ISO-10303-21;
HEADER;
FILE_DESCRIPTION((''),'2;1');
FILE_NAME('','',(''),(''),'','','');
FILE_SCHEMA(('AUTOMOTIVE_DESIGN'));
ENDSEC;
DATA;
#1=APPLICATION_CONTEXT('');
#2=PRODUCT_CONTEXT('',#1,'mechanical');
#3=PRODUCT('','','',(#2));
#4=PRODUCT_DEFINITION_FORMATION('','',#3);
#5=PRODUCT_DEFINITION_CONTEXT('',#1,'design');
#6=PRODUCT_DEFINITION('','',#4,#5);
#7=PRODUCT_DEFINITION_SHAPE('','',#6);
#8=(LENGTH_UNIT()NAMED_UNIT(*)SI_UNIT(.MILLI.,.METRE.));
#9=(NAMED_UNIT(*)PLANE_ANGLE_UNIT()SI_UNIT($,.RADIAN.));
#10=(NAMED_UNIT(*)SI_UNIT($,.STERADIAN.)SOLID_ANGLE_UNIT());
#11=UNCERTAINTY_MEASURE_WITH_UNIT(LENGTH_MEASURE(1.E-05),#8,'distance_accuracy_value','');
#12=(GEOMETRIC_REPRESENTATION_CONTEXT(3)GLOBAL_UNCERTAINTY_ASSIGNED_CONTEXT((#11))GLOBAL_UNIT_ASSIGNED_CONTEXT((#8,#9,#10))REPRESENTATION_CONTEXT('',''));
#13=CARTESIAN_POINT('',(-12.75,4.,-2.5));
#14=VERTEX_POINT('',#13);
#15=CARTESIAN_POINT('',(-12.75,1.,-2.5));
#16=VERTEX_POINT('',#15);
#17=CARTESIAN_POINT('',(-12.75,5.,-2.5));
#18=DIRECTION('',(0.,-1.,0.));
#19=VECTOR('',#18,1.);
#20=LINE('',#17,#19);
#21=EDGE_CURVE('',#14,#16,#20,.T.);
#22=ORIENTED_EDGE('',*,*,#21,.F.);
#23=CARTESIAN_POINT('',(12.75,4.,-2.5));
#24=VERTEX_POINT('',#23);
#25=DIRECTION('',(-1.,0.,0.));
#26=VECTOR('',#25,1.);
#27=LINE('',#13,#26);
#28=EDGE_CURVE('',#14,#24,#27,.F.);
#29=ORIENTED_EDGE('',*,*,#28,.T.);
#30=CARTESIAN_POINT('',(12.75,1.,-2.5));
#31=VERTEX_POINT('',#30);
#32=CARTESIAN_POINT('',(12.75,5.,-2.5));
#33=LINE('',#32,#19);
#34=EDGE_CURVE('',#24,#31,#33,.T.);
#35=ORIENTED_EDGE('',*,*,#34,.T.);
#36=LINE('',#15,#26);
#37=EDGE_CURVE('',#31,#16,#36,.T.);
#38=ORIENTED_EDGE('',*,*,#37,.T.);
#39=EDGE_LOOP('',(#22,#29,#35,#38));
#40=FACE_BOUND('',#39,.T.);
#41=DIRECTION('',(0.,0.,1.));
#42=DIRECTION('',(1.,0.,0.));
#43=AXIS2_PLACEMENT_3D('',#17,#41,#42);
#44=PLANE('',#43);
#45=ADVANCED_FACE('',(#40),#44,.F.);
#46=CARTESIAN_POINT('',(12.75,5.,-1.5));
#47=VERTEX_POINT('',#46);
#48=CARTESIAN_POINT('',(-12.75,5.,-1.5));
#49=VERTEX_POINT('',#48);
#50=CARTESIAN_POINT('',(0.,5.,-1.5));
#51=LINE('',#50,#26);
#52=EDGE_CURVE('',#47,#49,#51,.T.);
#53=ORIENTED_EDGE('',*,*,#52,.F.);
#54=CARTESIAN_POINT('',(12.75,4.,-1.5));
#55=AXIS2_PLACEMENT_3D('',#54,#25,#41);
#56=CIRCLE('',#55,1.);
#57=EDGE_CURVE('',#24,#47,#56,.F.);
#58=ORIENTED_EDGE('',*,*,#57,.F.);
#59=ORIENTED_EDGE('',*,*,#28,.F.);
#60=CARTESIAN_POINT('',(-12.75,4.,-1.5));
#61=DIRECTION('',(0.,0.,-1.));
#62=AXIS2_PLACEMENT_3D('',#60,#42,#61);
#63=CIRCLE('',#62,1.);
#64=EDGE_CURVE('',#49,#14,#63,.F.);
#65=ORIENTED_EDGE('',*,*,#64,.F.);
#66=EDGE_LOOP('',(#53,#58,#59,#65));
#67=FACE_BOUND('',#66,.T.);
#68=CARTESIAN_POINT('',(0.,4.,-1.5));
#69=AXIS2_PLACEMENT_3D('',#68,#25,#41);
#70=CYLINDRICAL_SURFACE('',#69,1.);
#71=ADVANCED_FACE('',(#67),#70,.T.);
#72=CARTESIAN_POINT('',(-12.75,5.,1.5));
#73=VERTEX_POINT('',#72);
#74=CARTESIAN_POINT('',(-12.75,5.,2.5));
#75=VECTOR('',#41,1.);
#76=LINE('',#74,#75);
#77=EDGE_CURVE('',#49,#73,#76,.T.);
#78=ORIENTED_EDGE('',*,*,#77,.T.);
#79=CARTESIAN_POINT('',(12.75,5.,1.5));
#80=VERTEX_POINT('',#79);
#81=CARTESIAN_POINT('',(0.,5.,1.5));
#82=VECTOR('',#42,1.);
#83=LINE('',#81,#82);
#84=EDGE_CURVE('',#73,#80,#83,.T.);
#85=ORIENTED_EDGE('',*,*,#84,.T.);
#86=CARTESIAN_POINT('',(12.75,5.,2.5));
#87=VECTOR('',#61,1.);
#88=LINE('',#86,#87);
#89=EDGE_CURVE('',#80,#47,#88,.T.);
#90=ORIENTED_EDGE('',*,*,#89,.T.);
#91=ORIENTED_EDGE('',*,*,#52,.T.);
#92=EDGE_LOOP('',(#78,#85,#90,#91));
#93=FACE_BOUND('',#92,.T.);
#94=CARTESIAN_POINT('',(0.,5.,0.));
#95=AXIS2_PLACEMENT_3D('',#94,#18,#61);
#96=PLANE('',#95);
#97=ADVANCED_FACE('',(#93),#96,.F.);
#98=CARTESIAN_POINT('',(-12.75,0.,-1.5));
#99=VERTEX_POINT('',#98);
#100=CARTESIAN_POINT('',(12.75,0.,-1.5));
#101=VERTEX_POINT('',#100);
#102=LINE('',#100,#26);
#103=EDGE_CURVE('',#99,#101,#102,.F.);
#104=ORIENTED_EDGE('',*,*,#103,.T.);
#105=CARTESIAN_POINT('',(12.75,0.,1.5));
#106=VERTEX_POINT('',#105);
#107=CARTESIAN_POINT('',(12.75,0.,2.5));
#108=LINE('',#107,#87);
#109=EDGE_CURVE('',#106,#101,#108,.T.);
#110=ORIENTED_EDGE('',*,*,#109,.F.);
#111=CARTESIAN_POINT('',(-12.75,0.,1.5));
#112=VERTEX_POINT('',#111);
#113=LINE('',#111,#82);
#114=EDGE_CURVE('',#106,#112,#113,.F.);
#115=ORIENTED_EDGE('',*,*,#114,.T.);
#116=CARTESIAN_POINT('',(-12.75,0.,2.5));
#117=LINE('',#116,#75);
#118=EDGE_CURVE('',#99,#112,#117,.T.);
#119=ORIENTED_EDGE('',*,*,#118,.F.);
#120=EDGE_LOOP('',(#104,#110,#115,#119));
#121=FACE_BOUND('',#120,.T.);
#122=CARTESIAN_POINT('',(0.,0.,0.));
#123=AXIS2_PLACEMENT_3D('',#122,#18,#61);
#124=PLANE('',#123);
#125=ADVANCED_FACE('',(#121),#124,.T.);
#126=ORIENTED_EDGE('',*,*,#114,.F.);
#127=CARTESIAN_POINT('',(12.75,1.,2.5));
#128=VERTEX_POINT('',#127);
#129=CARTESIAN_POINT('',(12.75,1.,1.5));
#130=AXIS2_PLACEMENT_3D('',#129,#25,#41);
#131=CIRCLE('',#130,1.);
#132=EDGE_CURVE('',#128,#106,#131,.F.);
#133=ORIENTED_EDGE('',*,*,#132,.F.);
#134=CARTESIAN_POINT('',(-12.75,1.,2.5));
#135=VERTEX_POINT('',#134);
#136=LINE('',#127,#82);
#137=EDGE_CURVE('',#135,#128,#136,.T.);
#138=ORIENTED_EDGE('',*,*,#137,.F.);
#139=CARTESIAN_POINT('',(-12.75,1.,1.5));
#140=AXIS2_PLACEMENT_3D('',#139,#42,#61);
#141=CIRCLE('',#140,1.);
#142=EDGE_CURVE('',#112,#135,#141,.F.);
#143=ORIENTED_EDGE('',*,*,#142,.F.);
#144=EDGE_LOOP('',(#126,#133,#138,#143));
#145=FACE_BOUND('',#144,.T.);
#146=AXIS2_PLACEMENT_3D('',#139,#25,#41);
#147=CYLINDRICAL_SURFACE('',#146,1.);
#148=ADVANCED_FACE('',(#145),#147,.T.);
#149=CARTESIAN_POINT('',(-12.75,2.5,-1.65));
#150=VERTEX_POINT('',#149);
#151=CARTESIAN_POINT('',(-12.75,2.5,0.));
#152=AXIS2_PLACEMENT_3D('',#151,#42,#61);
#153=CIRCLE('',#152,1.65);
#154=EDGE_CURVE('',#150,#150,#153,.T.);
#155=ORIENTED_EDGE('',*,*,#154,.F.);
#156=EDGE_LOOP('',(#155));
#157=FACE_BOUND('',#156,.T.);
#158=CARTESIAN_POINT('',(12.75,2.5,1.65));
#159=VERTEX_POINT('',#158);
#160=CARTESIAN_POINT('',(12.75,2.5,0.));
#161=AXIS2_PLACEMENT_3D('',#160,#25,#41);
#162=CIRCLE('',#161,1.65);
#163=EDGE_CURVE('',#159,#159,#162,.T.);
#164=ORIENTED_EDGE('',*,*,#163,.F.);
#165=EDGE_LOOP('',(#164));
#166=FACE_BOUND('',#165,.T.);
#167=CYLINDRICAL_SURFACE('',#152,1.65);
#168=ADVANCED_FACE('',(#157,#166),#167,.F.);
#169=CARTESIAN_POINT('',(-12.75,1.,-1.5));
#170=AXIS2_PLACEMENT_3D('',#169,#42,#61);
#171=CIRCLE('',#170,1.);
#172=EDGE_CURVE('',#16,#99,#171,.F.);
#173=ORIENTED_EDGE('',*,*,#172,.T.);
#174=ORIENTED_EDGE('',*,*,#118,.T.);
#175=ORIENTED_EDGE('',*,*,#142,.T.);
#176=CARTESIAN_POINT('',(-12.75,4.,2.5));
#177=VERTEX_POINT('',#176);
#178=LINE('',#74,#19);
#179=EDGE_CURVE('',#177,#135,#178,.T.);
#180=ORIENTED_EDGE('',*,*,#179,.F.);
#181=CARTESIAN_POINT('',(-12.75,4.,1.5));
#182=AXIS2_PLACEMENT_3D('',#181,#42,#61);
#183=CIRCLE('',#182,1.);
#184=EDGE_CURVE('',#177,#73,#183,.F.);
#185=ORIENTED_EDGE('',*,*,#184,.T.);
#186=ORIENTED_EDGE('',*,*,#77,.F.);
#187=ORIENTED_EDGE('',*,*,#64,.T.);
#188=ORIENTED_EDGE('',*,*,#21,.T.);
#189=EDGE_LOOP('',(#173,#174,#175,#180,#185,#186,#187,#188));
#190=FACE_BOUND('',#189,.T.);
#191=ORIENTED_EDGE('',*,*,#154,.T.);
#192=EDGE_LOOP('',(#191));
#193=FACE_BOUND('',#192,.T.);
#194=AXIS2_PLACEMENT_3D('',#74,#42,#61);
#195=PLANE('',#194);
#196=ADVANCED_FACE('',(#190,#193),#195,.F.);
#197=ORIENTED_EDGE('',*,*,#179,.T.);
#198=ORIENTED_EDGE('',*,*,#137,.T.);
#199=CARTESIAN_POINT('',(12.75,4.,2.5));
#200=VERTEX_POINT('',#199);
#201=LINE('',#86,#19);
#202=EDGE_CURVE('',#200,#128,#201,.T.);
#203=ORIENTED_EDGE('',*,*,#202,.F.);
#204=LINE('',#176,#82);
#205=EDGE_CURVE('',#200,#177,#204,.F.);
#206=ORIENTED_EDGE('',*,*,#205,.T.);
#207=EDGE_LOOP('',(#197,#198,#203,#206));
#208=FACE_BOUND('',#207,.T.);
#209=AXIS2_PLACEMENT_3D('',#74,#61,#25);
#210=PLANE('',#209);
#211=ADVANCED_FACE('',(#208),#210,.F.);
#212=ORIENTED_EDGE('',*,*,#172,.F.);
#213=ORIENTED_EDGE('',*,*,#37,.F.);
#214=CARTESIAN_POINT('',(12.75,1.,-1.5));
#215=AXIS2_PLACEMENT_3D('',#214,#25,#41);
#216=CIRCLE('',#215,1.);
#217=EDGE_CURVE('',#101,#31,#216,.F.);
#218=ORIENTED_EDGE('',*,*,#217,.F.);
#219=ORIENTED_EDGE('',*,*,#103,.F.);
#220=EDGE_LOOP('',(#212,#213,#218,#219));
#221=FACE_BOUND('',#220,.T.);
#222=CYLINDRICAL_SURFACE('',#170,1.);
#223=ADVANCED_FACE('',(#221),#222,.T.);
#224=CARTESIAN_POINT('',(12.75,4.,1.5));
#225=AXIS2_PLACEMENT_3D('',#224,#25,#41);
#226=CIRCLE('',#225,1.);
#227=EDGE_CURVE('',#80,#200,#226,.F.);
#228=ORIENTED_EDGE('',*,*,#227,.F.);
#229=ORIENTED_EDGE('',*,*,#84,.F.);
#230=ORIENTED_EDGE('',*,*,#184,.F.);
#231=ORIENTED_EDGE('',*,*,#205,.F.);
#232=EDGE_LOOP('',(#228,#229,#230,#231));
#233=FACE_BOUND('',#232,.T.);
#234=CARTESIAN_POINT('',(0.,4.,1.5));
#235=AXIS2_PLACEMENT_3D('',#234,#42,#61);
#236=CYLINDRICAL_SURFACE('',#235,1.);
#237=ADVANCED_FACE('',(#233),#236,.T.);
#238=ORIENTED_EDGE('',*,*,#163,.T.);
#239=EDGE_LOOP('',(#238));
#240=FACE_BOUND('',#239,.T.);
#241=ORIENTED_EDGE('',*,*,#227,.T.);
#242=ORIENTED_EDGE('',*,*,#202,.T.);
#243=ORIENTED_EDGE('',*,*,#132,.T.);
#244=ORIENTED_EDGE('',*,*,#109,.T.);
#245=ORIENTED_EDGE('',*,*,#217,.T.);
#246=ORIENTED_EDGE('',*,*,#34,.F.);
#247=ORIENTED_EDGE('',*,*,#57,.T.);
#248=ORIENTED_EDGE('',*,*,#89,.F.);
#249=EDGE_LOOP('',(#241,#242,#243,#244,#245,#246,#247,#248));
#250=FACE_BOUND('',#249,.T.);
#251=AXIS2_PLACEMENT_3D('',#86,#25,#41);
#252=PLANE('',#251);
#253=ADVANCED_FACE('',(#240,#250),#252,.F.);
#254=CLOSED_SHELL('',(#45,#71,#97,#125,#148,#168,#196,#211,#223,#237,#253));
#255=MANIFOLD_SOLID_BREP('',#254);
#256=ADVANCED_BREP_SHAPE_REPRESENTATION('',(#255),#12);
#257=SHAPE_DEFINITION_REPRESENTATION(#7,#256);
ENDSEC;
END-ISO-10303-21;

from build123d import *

# Parameters (mm, degrees)
SKETCH1_W               = 25.5
SKETCH1_H               = 5
BOSS_EXTRUDE1_DEPTH     = 5
SKETCH2_R               = 1.65
CUT_EXTRUDE1_DEPTH      = 1
CUT_EXTRUDE1_DEPTH_BACK = 26.5
FILLET1_R               = 1


with BuildPart() as part:
    # Sketch1 → Boss-Extrude1 (new body)
    with BuildSketch(Plane(origin=(0, 0, 0), x_dir=(1, 0, 0), z_dir=(0, 1, 0))):
        Rectangle(SKETCH1_W, SKETCH1_H)
    extrude(amount=BOSS_EXTRUDE1_DEPTH)

    # Sketch2 → Cut-Extrude1 (cut, two sides)
    with BuildSketch(Plane(origin=(12.75, 0, 0), x_dir=(0, 0, -1), z_dir=(1, 0, 0))) as cut_extrude1_sk:
        with Locations((0, 2.5)):
            Circle(SKETCH2_R)
    extrude(amount=CUT_EXTRUDE1_DEPTH, mode=Mode.SUBTRACT)
    extrude(cut_extrude1_sk.sketch, amount=-CUT_EXTRUDE1_DEPTH_BACK, mode=Mode.SUBTRACT)

    # Fillet1
    fillet1_edges = [part.edges().sort_by_distance(p)[0] for p in [
        (0, 5, 2.5),
        (0, 0, 2.5),
        (0, 0, -2.5),
        (0, 5, -2.5),
    ]]
    fillet(fillet1_edges, radius=FILLET1_R)


solid = part.part
